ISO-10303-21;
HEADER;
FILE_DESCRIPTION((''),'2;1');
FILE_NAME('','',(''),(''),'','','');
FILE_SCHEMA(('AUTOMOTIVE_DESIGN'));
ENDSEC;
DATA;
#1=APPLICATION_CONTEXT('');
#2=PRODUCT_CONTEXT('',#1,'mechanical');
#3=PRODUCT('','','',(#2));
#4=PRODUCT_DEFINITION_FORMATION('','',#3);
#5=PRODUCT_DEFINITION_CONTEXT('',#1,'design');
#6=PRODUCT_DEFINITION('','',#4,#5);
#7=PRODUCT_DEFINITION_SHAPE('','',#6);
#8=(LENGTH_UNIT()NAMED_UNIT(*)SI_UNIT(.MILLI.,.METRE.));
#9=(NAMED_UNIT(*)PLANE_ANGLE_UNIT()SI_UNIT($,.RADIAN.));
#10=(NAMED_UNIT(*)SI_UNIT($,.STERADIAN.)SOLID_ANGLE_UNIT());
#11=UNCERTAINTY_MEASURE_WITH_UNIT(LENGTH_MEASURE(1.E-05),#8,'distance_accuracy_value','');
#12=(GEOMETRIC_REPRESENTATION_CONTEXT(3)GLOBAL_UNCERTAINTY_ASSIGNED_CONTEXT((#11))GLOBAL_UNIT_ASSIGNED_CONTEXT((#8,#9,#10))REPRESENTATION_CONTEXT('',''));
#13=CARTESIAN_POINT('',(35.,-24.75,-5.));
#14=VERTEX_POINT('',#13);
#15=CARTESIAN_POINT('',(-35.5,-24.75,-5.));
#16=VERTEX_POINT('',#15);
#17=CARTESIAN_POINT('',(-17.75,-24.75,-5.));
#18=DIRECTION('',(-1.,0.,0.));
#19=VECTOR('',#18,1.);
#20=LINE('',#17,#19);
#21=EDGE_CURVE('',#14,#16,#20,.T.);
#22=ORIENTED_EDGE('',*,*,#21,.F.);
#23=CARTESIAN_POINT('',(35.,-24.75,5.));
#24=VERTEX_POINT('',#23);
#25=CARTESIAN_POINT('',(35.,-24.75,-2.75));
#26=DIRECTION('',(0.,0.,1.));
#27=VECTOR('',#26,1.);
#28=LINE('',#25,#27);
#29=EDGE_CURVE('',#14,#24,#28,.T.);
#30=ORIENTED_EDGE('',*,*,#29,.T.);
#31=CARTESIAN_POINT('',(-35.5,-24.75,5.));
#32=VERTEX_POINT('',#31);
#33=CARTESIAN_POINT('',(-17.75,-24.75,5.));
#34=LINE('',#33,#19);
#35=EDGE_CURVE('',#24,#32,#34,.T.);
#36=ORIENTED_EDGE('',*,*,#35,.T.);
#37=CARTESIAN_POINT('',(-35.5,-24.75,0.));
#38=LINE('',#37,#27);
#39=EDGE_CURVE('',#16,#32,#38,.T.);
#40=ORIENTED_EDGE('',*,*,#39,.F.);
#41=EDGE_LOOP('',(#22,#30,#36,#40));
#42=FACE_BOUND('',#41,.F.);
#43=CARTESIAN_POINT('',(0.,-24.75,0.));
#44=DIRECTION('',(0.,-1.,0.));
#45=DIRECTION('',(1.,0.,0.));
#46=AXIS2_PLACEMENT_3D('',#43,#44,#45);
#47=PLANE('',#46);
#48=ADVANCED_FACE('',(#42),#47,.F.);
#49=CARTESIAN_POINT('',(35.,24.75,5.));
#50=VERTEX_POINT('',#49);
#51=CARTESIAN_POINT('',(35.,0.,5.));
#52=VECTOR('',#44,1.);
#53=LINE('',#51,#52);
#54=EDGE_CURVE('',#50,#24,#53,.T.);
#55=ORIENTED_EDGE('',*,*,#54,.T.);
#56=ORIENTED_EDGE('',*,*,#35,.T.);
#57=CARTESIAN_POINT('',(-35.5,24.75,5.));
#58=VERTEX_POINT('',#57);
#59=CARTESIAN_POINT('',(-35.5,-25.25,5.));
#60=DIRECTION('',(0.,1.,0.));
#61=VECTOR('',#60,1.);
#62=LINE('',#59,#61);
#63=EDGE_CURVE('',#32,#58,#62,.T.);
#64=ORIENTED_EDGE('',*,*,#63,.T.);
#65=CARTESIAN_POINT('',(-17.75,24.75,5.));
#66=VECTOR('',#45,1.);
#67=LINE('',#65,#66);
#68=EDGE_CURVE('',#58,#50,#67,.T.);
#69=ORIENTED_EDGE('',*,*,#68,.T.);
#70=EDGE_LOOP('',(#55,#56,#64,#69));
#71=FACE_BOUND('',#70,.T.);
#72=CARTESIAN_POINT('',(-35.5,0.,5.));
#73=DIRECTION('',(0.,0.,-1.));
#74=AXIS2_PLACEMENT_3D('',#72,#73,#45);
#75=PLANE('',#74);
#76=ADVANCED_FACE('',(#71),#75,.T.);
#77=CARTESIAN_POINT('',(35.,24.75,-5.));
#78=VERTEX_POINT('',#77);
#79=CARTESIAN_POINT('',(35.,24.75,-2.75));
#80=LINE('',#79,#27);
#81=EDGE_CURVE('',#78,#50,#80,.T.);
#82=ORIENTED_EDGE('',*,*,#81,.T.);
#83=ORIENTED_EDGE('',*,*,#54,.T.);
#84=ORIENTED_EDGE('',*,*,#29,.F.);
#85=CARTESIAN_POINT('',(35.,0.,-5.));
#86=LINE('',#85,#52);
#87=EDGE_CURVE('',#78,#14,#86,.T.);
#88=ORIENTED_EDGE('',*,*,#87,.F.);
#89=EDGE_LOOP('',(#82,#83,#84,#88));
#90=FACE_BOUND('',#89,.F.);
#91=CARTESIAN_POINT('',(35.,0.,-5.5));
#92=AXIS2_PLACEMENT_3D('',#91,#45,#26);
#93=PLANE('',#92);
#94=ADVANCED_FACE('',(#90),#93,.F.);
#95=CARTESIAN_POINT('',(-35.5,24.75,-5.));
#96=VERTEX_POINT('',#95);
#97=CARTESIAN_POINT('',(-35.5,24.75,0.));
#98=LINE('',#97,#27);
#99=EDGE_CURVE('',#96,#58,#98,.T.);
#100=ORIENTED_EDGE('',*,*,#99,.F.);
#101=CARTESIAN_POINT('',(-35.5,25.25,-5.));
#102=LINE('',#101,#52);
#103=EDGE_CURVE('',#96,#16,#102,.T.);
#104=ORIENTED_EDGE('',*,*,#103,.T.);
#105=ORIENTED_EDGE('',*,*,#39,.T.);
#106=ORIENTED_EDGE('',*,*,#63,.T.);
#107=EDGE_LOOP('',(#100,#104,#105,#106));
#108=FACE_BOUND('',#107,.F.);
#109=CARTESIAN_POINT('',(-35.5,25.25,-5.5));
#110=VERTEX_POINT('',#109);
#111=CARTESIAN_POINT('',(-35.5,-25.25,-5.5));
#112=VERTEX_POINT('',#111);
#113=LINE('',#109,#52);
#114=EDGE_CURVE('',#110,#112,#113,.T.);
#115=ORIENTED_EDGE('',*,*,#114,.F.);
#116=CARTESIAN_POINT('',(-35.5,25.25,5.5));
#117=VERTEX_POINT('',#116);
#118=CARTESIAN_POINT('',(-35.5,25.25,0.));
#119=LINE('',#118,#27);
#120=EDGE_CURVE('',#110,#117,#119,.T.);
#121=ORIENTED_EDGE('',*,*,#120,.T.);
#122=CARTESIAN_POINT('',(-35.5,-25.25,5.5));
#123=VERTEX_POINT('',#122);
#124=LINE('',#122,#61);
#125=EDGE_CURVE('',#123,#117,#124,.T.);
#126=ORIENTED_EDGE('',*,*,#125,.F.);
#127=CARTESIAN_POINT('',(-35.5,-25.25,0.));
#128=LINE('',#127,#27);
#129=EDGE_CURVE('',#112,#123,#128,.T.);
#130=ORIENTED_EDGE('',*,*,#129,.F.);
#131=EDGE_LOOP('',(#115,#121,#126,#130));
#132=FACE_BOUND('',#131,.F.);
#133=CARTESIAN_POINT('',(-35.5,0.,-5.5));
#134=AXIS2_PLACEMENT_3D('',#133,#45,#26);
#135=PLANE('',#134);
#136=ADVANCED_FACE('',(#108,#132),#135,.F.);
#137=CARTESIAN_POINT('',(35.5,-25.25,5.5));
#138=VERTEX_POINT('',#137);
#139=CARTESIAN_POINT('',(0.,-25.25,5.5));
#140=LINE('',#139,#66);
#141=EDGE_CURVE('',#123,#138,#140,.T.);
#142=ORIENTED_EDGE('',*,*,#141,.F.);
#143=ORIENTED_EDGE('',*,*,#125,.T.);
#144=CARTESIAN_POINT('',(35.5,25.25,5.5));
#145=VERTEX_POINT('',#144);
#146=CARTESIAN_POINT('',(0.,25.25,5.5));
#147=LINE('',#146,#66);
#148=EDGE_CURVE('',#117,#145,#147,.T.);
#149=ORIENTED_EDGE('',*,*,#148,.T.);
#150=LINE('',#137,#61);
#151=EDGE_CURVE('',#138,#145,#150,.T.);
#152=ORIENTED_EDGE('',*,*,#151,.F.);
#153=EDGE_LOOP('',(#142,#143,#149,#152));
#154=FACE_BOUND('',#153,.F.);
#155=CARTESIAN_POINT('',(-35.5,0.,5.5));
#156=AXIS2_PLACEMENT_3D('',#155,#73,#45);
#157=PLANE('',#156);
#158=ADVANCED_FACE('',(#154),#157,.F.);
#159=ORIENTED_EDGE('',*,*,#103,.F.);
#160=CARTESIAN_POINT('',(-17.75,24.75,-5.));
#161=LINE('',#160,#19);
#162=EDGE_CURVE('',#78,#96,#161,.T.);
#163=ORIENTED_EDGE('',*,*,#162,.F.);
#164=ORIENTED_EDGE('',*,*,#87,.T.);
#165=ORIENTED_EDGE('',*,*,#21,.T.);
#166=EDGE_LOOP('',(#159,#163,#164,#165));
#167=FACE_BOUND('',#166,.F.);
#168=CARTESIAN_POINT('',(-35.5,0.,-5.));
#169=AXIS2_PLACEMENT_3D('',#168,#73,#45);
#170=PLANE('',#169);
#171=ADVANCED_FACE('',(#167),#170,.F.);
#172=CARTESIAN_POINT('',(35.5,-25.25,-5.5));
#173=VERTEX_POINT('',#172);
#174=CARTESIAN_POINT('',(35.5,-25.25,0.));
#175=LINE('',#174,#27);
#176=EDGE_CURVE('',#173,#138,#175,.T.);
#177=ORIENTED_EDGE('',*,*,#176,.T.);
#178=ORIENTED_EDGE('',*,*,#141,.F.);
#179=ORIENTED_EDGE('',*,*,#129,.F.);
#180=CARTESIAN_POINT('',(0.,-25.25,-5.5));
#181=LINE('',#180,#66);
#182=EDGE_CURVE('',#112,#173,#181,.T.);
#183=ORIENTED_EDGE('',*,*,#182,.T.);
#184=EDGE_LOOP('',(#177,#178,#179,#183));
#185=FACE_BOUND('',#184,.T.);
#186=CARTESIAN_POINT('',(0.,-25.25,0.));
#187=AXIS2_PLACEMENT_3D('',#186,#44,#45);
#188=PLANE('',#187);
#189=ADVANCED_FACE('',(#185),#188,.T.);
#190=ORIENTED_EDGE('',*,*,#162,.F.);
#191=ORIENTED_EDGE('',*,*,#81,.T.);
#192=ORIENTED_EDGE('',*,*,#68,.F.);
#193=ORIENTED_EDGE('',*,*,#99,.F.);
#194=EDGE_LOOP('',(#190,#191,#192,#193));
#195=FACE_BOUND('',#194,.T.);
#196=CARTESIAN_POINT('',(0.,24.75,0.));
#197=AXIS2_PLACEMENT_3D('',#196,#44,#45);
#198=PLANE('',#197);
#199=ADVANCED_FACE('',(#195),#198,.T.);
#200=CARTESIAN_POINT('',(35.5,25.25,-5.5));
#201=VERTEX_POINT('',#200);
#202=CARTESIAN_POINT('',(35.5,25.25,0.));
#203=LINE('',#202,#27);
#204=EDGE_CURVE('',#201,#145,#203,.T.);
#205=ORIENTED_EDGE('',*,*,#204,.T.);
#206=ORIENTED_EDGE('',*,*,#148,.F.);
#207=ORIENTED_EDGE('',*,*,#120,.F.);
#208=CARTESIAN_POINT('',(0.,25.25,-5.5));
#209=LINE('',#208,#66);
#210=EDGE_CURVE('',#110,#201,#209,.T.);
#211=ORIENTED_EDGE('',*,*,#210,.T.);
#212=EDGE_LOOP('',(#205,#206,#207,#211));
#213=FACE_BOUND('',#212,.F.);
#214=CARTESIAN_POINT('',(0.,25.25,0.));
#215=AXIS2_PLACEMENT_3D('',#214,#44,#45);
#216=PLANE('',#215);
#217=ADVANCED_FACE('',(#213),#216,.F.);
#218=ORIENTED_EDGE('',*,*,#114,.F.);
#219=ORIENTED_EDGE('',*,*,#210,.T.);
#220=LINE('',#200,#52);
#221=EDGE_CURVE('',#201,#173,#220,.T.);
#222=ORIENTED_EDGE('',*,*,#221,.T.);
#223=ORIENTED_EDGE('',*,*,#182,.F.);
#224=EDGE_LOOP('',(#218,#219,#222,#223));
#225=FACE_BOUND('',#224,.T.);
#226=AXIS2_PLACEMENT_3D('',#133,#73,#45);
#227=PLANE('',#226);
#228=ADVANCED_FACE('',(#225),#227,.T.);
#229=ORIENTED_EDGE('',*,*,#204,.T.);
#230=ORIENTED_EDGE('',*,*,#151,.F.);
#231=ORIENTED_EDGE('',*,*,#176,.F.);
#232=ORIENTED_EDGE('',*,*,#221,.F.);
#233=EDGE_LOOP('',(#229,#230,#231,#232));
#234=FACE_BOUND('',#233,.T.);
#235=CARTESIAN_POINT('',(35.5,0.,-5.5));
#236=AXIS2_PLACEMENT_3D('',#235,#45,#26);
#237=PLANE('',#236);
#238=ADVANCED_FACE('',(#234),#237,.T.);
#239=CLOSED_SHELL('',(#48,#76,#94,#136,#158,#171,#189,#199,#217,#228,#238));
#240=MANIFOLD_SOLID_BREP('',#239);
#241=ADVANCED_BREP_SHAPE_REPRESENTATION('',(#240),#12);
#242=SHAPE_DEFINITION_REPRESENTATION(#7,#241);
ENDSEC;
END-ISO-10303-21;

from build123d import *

# Parameters (mm, degrees)
F0_W     = 71
F0_H     = 11
F1_DEPTH = 25.25
F2_T     = -0.5


with BuildPart() as f1:
    # F0 (on Front) → F1 (new body, symmetric)
    with BuildSketch(Plane.XZ):
        Rectangle(F0_W, F0_H)
    extrude(amount=F1_DEPTH, both=True)

    # F2
    f2_openings = [f1.faces().sort_by_distance(p)[0] for p in [
        (-35.5, 0, 0),
    ]]
    offset(amount=F2_T, openings=f2_openings)


solid = f1.part
